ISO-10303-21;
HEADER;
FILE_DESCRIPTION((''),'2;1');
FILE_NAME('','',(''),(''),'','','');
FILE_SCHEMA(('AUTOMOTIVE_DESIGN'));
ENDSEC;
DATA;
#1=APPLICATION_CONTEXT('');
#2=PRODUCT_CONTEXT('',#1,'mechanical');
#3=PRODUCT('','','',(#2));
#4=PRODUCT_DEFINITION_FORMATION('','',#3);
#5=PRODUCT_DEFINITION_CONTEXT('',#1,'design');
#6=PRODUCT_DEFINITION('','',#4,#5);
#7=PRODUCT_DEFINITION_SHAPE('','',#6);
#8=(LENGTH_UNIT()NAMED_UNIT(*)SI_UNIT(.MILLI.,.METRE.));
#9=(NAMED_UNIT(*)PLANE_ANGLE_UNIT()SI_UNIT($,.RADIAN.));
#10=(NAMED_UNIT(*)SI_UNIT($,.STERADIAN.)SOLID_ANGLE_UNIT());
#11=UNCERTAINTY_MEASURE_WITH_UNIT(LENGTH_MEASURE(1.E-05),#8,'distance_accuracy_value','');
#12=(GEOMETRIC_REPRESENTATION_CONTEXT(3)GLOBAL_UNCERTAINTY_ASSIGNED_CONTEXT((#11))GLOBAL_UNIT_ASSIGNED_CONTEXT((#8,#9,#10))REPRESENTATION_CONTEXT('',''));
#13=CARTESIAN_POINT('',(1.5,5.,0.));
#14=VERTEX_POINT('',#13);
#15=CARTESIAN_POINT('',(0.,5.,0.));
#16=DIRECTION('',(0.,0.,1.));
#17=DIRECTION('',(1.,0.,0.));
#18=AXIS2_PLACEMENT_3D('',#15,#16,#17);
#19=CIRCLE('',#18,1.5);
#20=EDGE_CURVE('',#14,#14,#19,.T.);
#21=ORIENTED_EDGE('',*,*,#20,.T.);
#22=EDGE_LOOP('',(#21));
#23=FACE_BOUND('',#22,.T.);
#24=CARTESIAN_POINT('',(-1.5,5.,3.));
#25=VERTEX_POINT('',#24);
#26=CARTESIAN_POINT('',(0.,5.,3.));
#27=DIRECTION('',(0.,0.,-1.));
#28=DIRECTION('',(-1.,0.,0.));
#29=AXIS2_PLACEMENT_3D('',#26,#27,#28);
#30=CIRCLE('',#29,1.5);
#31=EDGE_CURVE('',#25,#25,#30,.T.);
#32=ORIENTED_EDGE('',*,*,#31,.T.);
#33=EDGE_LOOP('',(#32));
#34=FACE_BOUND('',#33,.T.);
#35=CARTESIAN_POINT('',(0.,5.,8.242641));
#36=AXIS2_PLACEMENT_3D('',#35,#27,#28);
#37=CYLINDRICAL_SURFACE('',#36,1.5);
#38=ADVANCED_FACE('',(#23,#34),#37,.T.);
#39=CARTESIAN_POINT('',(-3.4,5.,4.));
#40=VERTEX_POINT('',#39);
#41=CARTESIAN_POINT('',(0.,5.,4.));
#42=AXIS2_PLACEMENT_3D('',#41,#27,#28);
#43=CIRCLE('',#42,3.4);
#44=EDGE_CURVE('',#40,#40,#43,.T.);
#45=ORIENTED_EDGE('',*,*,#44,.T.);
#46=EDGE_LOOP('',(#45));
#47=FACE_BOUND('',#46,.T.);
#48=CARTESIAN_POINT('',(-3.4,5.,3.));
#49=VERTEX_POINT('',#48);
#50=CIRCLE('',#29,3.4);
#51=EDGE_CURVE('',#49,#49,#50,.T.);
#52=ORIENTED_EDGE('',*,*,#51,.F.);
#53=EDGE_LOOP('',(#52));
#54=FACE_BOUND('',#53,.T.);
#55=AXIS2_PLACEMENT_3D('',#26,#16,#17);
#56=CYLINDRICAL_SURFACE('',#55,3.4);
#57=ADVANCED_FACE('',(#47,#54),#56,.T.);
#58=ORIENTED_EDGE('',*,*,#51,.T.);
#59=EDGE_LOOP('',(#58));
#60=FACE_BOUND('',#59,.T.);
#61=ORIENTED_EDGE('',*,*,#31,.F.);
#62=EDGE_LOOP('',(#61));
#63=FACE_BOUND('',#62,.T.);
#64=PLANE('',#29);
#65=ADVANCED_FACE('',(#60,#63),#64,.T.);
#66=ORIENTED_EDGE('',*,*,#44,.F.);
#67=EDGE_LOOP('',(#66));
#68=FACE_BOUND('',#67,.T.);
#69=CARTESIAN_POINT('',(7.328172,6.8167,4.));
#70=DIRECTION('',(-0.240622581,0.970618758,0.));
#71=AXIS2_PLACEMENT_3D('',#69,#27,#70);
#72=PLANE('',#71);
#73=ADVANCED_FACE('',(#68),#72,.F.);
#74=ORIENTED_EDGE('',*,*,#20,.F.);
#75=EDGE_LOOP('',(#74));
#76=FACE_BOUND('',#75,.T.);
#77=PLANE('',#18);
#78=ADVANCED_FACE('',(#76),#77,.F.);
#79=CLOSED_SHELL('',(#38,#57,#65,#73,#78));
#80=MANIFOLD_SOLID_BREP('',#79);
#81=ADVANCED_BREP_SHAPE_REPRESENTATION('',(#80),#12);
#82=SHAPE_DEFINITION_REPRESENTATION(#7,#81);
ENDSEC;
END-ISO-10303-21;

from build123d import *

# Parameters (mm, degrees)
ESBO_O1_R                = 1.5
RESSALTO_EXTRUS_O1_DEPTH = 4
ESBO_O2_R                = 3.4
RESSALTO_EXTRUS_O2_DEPTH = 1


with BuildPart() as part:
    # Esboço1 → Ressalto-extrusão1 (new body)
    with BuildSketch(Plane.XY):
        with Locations((0, 5)):
            Circle(ESBO_O1_R)
    extrude(amount=RESSALTO_EXTRUS_O1_DEPTH)

    # Esboço2 → Ressalto-extrusão2 (add)
    with BuildSketch(Plane(origin=(0, 0, 4), x_dir=(-1, 0, 0), z_dir=(0, 0, -1))):
        with Locations((0, 5)):
            Circle(ESBO_O2_R)
    extrude(amount=RESSALTO_EXTRUS_O2_DEPTH)


solid = part.part
